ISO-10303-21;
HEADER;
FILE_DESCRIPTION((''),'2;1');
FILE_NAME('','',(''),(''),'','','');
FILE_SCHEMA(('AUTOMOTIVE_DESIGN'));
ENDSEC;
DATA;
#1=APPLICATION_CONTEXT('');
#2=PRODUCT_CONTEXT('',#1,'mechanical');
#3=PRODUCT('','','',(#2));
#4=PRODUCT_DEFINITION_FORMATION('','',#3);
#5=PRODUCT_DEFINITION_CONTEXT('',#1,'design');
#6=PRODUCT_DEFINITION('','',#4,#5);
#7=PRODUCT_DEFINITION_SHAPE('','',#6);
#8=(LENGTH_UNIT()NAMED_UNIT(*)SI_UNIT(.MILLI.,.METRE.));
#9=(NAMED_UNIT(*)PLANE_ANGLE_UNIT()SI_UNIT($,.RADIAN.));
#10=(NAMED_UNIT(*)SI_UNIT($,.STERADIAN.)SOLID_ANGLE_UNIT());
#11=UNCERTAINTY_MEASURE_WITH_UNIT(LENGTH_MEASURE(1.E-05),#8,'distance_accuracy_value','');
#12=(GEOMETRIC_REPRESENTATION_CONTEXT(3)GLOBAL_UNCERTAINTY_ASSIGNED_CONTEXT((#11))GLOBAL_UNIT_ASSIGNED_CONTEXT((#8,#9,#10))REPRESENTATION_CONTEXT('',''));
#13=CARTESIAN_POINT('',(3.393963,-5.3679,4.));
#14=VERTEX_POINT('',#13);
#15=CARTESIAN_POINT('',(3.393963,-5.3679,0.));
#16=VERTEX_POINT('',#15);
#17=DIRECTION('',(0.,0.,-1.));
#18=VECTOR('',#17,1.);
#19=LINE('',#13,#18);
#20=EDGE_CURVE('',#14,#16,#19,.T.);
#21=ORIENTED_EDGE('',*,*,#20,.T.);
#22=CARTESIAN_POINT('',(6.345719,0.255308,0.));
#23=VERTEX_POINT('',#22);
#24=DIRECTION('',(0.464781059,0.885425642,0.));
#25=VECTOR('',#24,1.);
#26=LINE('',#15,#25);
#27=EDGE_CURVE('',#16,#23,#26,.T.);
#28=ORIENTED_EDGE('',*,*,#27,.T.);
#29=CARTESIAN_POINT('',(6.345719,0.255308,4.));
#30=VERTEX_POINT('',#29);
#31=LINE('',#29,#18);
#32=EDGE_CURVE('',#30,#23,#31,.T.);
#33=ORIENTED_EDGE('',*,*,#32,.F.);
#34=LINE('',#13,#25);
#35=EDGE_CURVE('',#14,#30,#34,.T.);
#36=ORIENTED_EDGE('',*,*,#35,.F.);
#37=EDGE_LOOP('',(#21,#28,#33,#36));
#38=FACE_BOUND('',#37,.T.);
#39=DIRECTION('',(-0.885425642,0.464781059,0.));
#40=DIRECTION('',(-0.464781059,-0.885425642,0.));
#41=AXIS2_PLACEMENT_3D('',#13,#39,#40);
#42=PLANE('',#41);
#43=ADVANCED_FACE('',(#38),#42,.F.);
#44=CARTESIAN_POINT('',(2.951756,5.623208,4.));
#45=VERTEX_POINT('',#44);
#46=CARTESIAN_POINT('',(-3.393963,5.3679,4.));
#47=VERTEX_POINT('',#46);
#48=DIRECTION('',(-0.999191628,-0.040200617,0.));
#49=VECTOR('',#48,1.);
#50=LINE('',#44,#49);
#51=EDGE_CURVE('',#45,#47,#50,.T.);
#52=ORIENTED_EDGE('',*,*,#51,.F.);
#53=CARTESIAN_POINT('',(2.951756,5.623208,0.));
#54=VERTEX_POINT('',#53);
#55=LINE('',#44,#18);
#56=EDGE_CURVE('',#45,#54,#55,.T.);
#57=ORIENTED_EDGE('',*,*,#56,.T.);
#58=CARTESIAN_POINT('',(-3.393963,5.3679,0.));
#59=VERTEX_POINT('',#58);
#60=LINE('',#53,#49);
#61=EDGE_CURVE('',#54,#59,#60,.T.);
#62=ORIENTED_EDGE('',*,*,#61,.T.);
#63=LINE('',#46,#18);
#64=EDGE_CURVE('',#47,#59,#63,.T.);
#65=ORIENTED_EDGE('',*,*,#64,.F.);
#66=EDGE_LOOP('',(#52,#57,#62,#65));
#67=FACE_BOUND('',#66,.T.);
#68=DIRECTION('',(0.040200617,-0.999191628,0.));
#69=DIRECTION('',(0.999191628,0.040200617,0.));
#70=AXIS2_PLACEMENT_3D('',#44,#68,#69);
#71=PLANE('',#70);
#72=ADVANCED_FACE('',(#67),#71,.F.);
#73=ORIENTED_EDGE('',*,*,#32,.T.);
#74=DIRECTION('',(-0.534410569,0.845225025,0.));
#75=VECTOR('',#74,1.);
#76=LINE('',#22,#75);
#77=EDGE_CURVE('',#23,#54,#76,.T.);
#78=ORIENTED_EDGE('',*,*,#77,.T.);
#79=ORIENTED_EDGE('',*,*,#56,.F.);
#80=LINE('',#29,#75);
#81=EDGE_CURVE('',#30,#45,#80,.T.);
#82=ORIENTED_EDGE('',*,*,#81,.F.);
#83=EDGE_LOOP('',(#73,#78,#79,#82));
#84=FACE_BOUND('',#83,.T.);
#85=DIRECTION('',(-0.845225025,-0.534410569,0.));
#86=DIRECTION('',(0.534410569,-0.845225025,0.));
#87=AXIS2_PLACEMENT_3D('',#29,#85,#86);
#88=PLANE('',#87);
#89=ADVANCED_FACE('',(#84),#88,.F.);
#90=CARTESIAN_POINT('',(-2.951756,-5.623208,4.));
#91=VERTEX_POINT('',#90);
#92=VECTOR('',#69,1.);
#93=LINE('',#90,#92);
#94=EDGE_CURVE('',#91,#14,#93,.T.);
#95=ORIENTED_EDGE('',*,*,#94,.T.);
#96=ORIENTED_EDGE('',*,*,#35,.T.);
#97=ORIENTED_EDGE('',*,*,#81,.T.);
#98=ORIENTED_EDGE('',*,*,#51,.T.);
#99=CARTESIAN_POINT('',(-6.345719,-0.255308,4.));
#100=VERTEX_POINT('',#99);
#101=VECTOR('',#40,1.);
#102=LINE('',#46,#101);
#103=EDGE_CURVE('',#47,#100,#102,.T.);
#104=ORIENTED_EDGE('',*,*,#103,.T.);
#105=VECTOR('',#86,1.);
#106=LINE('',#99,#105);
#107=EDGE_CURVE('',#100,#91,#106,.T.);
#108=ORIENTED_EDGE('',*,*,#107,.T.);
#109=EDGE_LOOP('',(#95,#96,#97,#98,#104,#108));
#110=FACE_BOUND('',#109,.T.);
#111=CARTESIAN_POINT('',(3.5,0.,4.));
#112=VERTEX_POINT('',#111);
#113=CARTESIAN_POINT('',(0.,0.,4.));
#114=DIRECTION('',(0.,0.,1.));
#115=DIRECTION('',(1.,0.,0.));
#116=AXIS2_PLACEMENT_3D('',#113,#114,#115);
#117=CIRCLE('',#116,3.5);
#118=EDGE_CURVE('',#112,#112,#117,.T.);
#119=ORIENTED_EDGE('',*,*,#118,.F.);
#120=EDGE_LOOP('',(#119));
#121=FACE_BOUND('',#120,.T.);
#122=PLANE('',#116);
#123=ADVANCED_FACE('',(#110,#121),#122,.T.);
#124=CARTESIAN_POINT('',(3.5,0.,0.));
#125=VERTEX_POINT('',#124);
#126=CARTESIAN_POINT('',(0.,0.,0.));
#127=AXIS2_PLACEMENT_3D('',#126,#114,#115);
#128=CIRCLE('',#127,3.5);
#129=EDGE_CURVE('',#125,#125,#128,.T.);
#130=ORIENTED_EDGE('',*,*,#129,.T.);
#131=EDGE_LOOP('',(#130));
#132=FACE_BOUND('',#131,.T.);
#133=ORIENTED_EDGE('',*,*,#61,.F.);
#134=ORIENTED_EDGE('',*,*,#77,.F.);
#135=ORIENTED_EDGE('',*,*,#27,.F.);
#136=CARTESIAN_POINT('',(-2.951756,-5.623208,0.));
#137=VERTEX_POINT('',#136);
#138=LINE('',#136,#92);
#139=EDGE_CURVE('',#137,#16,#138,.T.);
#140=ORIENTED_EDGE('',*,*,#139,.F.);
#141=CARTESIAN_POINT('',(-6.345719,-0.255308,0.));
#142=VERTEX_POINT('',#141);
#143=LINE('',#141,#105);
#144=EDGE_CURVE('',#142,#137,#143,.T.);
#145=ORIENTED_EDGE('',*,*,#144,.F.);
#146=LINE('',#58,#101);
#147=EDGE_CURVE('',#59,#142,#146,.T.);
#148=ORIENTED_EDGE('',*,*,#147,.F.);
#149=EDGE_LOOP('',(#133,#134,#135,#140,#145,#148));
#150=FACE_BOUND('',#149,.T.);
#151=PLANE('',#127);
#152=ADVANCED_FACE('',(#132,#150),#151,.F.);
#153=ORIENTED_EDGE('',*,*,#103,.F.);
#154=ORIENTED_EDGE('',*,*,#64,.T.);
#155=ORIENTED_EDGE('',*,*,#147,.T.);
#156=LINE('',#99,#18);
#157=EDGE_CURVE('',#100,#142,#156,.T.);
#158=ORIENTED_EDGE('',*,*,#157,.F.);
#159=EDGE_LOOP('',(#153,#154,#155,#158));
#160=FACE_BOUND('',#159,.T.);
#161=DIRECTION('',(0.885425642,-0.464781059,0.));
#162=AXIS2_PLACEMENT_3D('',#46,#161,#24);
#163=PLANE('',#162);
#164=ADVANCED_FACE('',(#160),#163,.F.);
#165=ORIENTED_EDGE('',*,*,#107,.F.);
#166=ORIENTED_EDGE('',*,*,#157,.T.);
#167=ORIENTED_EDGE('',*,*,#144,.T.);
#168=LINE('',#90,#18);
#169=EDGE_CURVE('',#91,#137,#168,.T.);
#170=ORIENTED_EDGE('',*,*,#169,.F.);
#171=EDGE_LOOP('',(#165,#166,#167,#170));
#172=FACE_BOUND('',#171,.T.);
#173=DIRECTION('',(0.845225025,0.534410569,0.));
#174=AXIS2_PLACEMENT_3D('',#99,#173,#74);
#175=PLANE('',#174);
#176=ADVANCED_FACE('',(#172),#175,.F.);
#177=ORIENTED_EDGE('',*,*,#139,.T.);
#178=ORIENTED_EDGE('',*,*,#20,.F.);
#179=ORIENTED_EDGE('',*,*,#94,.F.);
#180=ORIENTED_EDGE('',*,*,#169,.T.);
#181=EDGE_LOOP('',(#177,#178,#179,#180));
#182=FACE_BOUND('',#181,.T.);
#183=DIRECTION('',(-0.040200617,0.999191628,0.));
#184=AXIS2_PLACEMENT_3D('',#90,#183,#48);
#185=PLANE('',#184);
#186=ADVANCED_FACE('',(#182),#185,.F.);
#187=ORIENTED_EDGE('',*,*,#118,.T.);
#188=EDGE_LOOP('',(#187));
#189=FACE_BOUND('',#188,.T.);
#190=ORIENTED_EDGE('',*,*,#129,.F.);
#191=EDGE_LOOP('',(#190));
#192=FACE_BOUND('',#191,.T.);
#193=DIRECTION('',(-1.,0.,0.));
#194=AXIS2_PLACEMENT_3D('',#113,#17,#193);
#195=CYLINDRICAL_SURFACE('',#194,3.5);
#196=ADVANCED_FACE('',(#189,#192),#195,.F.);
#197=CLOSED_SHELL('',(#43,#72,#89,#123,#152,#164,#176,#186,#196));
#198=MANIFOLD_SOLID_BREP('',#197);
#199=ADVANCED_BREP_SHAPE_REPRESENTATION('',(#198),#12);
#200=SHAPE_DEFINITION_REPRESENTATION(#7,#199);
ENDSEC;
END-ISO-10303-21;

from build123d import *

# Parameters (mm, degrees)
SKETCH1_R           = 3.5
BOSS_EXTRUDE1_DEPTH = 4


with BuildPart() as part:
    # Sketch1 → Boss-Extrude1 (new body)
    with BuildSketch(Plane.XY):
        Polygon((3.393962947, -5.367899854), (6.345719112, 0.255308205), (2.951756165, 5.623208059), (-3.393962947, 5.367899854), (-6.345719112, -0.255308205), (-2.951756165, -5.623208059), align=None)
        Circle(SKETCH1_R, mode=Mode.SUBTRACT)
    extrude(amount=BOSS_EXTRUDE1_DEPTH)


solid = part.part
